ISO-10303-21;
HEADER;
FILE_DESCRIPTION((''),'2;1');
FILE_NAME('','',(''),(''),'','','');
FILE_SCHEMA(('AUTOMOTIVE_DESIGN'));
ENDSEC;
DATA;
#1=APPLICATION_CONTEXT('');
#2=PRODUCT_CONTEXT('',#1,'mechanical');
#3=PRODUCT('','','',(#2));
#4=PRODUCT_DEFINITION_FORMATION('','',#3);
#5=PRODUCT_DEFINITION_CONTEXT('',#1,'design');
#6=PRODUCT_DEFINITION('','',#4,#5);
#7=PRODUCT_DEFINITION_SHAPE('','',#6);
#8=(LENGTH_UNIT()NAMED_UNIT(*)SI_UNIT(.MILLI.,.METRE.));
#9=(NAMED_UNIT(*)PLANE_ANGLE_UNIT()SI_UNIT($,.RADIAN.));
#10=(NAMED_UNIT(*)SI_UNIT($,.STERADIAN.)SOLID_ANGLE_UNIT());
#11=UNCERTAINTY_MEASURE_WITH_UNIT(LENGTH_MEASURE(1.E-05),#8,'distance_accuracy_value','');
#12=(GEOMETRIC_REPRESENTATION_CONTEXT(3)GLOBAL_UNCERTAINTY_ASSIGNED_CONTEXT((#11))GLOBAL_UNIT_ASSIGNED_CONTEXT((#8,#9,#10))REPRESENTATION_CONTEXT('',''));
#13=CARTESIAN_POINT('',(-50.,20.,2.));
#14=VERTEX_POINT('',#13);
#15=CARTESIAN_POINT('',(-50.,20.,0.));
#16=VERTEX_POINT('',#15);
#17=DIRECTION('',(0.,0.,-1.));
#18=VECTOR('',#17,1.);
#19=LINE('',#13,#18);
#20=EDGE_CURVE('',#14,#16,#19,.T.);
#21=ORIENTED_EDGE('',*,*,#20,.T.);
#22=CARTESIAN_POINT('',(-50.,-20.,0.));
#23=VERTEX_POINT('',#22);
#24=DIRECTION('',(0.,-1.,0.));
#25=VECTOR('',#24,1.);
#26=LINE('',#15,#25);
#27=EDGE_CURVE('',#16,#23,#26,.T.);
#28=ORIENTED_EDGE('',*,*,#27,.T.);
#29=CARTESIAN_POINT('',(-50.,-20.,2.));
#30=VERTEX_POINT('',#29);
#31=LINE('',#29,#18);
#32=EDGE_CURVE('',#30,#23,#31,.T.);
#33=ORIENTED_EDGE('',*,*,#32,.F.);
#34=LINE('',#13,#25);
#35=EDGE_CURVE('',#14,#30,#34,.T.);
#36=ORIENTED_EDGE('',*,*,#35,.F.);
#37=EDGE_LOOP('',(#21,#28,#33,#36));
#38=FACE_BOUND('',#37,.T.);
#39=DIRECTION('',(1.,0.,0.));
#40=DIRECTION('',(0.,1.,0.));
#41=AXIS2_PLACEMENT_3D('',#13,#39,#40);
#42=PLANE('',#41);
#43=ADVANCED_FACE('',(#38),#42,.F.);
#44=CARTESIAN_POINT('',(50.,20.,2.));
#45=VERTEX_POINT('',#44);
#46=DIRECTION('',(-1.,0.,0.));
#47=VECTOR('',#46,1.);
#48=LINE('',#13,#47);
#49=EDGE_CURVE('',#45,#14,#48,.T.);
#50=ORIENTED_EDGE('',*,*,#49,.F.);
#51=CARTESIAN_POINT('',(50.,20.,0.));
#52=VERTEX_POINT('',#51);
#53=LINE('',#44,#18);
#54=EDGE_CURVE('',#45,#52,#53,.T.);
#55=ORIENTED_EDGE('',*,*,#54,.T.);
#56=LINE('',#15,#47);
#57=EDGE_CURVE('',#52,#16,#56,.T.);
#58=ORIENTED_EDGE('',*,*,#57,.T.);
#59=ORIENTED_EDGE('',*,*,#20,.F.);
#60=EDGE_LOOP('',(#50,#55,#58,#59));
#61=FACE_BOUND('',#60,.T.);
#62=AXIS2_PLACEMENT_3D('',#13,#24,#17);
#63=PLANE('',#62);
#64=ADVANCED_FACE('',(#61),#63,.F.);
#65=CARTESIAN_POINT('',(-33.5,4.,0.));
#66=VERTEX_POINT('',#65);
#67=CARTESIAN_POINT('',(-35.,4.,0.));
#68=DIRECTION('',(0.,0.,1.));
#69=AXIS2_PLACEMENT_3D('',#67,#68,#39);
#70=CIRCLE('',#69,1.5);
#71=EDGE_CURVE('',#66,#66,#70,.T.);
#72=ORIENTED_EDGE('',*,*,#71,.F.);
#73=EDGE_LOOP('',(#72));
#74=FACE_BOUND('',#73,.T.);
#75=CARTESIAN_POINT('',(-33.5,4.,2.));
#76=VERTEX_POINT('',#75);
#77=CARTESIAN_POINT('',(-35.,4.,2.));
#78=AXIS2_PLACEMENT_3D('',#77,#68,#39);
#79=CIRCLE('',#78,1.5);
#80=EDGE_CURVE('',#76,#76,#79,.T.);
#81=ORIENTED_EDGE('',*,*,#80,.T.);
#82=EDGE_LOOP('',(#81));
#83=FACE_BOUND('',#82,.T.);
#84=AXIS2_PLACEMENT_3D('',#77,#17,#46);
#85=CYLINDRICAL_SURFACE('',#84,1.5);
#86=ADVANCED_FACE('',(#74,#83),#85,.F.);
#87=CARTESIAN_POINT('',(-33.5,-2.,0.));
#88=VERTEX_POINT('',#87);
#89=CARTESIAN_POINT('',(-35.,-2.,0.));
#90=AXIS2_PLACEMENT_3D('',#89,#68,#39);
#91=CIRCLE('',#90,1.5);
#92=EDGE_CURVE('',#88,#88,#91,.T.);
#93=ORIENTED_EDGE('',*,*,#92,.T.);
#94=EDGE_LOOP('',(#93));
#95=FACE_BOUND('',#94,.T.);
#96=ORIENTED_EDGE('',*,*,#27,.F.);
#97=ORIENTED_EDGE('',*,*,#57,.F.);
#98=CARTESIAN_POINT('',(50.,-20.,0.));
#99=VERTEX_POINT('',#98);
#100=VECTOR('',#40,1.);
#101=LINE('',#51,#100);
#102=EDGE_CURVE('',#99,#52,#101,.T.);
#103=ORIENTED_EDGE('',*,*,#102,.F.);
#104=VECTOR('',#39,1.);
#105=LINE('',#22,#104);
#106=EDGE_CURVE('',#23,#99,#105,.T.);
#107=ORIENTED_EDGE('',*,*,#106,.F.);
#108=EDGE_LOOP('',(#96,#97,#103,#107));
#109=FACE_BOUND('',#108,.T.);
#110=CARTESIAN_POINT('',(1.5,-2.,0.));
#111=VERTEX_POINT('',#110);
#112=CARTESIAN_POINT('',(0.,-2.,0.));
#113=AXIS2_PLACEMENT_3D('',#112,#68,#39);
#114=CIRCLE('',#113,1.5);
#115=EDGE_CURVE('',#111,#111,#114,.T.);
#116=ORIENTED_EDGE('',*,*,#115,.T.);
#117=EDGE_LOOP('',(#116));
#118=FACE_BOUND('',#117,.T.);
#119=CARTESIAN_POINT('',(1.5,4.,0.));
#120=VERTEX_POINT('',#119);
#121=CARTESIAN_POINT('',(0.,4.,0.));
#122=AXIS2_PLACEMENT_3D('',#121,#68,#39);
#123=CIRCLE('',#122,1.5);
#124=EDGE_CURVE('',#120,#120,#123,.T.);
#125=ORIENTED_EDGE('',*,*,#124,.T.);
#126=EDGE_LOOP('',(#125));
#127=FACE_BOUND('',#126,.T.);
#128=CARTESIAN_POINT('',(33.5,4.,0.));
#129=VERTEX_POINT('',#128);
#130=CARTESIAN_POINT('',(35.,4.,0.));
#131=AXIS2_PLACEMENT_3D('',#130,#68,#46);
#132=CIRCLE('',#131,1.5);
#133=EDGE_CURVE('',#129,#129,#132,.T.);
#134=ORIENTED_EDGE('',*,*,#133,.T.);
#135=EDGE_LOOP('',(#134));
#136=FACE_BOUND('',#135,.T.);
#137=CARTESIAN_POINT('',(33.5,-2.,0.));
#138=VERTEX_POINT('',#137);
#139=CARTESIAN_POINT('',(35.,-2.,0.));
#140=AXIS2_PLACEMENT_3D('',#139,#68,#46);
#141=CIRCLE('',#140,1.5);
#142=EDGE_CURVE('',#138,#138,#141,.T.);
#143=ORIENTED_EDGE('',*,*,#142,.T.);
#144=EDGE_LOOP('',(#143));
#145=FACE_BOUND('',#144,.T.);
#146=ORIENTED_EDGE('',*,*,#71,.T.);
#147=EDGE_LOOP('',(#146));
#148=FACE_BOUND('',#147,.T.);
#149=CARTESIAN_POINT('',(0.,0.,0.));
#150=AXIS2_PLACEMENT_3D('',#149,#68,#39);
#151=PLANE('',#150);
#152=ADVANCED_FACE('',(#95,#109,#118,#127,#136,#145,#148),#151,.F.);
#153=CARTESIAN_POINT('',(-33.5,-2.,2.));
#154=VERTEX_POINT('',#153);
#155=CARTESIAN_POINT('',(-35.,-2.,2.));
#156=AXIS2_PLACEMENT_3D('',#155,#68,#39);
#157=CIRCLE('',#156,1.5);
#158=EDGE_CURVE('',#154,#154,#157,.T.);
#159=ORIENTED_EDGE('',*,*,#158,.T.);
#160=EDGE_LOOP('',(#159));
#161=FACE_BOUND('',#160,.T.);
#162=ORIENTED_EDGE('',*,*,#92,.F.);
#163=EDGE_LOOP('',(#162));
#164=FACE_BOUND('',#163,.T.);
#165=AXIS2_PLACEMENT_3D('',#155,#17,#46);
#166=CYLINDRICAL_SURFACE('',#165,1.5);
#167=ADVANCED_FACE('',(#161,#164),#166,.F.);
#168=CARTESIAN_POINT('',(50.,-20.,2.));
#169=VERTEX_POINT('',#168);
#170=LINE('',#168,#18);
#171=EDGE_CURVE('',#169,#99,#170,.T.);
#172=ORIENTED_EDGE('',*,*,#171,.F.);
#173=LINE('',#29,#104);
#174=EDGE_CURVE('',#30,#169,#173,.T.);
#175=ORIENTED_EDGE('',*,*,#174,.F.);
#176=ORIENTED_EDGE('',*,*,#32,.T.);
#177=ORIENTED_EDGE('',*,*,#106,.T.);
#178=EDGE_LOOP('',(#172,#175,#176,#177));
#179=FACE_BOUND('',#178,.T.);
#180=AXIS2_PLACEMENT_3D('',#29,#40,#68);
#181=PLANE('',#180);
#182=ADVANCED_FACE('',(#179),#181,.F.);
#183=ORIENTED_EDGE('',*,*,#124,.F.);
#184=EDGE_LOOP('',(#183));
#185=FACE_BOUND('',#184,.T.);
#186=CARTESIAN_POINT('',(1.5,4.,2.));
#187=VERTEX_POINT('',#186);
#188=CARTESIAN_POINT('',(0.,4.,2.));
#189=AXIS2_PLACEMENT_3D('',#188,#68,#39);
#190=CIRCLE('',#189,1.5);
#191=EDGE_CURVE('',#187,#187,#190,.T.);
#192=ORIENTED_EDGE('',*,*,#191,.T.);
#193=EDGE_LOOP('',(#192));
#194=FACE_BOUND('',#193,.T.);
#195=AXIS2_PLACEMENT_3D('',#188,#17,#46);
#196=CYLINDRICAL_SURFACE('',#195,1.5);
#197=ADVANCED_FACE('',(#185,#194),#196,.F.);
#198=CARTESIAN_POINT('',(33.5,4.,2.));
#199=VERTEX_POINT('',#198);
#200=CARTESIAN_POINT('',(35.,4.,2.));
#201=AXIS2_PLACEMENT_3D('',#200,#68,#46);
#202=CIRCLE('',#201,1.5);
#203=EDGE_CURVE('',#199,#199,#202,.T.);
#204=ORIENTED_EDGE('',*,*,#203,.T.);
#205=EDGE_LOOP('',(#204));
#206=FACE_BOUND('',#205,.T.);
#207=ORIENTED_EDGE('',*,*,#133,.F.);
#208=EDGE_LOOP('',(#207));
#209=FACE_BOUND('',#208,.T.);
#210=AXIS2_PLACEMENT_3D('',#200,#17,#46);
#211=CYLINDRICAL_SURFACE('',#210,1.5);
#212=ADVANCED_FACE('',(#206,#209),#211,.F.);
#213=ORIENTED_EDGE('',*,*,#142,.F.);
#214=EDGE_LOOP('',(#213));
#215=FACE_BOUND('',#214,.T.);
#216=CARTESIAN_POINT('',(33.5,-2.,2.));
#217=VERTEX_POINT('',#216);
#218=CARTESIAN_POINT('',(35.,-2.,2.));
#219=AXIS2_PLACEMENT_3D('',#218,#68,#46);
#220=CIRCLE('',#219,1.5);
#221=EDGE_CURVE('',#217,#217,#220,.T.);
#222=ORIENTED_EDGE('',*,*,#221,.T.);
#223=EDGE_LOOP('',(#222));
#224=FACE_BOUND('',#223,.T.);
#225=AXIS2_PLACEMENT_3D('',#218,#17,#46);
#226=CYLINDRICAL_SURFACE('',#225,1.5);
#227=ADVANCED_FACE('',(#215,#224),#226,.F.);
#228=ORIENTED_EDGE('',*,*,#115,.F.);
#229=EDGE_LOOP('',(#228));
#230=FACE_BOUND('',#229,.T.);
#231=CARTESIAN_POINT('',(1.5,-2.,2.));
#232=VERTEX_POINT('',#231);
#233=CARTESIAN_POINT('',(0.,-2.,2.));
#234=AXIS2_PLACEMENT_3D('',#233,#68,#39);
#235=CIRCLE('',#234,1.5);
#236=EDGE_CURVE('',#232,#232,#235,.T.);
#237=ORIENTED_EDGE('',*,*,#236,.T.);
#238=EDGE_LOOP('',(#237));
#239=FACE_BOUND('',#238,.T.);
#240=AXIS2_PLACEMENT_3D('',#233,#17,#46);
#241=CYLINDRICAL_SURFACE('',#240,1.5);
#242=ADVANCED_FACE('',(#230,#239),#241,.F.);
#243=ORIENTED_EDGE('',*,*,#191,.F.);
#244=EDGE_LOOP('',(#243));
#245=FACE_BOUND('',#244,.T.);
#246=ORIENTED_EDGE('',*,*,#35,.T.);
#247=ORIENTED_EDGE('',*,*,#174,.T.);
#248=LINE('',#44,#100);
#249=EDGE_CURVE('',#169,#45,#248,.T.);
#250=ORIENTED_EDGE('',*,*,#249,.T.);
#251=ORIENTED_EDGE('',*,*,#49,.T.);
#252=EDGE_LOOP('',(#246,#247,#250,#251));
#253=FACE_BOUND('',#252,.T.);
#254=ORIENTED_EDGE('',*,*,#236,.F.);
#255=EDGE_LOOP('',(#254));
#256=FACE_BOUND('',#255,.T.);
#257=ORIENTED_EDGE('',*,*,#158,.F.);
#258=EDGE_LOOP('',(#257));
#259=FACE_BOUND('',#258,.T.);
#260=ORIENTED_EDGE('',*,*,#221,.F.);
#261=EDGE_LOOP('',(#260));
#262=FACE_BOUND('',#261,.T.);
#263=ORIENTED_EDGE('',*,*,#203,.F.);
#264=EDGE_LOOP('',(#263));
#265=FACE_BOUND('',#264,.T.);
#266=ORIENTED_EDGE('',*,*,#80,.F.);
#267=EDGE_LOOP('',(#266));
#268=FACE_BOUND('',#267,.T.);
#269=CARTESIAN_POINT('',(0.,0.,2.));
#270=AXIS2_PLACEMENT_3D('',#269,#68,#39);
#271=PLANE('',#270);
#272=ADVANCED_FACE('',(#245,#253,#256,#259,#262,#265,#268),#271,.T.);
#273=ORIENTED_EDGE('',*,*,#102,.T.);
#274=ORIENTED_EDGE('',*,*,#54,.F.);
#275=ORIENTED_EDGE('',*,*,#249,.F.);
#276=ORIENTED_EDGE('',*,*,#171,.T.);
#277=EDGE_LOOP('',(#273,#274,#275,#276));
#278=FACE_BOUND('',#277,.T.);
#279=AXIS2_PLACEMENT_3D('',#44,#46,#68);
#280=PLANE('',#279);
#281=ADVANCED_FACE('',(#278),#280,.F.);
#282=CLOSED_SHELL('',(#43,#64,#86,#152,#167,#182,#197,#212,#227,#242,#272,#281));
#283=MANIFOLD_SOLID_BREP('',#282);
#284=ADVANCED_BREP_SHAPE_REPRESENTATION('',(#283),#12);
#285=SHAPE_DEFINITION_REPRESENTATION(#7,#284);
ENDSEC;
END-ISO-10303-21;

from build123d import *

# Parameters (mm, degrees)
SKETCH1_W           = 100
SKETCH1_H           = 40
SKETCH1_R           = 1.5
BOSS_EXTRUDE1_DEPTH = 2


with BuildPart() as part:
    # Sketch1 → Boss-Extrude1 (new body)
    with BuildSketch(Plane.XY):
        Rectangle(SKETCH1_W, SKETCH1_H)
        with Locations((-35, -2)):
            Circle(SKETCH1_R, mode=Mode.SUBTRACT)
        with Locations(Location((35, 4, 0), (0, 0, 180))):
            Circle(SKETCH1_R, mode=Mode.SUBTRACT)
        with Locations((0, 4)):
            Circle(SKETCH1_R, mode=Mode.SUBTRACT)
        with Locations((-35, 4)):
            Circle(SKETCH1_R, mode=Mode.SUBTRACT)
        with Locations(Location((35, -2, 0), (0, 0, 180))):
            Circle(SKETCH1_R, mode=Mode.SUBTRACT)
        with Locations((0, -2)):
            Circle(SKETCH1_R, mode=Mode.SUBTRACT)
    extrude(amount=BOSS_EXTRUDE1_DEPTH)


solid = part.part
